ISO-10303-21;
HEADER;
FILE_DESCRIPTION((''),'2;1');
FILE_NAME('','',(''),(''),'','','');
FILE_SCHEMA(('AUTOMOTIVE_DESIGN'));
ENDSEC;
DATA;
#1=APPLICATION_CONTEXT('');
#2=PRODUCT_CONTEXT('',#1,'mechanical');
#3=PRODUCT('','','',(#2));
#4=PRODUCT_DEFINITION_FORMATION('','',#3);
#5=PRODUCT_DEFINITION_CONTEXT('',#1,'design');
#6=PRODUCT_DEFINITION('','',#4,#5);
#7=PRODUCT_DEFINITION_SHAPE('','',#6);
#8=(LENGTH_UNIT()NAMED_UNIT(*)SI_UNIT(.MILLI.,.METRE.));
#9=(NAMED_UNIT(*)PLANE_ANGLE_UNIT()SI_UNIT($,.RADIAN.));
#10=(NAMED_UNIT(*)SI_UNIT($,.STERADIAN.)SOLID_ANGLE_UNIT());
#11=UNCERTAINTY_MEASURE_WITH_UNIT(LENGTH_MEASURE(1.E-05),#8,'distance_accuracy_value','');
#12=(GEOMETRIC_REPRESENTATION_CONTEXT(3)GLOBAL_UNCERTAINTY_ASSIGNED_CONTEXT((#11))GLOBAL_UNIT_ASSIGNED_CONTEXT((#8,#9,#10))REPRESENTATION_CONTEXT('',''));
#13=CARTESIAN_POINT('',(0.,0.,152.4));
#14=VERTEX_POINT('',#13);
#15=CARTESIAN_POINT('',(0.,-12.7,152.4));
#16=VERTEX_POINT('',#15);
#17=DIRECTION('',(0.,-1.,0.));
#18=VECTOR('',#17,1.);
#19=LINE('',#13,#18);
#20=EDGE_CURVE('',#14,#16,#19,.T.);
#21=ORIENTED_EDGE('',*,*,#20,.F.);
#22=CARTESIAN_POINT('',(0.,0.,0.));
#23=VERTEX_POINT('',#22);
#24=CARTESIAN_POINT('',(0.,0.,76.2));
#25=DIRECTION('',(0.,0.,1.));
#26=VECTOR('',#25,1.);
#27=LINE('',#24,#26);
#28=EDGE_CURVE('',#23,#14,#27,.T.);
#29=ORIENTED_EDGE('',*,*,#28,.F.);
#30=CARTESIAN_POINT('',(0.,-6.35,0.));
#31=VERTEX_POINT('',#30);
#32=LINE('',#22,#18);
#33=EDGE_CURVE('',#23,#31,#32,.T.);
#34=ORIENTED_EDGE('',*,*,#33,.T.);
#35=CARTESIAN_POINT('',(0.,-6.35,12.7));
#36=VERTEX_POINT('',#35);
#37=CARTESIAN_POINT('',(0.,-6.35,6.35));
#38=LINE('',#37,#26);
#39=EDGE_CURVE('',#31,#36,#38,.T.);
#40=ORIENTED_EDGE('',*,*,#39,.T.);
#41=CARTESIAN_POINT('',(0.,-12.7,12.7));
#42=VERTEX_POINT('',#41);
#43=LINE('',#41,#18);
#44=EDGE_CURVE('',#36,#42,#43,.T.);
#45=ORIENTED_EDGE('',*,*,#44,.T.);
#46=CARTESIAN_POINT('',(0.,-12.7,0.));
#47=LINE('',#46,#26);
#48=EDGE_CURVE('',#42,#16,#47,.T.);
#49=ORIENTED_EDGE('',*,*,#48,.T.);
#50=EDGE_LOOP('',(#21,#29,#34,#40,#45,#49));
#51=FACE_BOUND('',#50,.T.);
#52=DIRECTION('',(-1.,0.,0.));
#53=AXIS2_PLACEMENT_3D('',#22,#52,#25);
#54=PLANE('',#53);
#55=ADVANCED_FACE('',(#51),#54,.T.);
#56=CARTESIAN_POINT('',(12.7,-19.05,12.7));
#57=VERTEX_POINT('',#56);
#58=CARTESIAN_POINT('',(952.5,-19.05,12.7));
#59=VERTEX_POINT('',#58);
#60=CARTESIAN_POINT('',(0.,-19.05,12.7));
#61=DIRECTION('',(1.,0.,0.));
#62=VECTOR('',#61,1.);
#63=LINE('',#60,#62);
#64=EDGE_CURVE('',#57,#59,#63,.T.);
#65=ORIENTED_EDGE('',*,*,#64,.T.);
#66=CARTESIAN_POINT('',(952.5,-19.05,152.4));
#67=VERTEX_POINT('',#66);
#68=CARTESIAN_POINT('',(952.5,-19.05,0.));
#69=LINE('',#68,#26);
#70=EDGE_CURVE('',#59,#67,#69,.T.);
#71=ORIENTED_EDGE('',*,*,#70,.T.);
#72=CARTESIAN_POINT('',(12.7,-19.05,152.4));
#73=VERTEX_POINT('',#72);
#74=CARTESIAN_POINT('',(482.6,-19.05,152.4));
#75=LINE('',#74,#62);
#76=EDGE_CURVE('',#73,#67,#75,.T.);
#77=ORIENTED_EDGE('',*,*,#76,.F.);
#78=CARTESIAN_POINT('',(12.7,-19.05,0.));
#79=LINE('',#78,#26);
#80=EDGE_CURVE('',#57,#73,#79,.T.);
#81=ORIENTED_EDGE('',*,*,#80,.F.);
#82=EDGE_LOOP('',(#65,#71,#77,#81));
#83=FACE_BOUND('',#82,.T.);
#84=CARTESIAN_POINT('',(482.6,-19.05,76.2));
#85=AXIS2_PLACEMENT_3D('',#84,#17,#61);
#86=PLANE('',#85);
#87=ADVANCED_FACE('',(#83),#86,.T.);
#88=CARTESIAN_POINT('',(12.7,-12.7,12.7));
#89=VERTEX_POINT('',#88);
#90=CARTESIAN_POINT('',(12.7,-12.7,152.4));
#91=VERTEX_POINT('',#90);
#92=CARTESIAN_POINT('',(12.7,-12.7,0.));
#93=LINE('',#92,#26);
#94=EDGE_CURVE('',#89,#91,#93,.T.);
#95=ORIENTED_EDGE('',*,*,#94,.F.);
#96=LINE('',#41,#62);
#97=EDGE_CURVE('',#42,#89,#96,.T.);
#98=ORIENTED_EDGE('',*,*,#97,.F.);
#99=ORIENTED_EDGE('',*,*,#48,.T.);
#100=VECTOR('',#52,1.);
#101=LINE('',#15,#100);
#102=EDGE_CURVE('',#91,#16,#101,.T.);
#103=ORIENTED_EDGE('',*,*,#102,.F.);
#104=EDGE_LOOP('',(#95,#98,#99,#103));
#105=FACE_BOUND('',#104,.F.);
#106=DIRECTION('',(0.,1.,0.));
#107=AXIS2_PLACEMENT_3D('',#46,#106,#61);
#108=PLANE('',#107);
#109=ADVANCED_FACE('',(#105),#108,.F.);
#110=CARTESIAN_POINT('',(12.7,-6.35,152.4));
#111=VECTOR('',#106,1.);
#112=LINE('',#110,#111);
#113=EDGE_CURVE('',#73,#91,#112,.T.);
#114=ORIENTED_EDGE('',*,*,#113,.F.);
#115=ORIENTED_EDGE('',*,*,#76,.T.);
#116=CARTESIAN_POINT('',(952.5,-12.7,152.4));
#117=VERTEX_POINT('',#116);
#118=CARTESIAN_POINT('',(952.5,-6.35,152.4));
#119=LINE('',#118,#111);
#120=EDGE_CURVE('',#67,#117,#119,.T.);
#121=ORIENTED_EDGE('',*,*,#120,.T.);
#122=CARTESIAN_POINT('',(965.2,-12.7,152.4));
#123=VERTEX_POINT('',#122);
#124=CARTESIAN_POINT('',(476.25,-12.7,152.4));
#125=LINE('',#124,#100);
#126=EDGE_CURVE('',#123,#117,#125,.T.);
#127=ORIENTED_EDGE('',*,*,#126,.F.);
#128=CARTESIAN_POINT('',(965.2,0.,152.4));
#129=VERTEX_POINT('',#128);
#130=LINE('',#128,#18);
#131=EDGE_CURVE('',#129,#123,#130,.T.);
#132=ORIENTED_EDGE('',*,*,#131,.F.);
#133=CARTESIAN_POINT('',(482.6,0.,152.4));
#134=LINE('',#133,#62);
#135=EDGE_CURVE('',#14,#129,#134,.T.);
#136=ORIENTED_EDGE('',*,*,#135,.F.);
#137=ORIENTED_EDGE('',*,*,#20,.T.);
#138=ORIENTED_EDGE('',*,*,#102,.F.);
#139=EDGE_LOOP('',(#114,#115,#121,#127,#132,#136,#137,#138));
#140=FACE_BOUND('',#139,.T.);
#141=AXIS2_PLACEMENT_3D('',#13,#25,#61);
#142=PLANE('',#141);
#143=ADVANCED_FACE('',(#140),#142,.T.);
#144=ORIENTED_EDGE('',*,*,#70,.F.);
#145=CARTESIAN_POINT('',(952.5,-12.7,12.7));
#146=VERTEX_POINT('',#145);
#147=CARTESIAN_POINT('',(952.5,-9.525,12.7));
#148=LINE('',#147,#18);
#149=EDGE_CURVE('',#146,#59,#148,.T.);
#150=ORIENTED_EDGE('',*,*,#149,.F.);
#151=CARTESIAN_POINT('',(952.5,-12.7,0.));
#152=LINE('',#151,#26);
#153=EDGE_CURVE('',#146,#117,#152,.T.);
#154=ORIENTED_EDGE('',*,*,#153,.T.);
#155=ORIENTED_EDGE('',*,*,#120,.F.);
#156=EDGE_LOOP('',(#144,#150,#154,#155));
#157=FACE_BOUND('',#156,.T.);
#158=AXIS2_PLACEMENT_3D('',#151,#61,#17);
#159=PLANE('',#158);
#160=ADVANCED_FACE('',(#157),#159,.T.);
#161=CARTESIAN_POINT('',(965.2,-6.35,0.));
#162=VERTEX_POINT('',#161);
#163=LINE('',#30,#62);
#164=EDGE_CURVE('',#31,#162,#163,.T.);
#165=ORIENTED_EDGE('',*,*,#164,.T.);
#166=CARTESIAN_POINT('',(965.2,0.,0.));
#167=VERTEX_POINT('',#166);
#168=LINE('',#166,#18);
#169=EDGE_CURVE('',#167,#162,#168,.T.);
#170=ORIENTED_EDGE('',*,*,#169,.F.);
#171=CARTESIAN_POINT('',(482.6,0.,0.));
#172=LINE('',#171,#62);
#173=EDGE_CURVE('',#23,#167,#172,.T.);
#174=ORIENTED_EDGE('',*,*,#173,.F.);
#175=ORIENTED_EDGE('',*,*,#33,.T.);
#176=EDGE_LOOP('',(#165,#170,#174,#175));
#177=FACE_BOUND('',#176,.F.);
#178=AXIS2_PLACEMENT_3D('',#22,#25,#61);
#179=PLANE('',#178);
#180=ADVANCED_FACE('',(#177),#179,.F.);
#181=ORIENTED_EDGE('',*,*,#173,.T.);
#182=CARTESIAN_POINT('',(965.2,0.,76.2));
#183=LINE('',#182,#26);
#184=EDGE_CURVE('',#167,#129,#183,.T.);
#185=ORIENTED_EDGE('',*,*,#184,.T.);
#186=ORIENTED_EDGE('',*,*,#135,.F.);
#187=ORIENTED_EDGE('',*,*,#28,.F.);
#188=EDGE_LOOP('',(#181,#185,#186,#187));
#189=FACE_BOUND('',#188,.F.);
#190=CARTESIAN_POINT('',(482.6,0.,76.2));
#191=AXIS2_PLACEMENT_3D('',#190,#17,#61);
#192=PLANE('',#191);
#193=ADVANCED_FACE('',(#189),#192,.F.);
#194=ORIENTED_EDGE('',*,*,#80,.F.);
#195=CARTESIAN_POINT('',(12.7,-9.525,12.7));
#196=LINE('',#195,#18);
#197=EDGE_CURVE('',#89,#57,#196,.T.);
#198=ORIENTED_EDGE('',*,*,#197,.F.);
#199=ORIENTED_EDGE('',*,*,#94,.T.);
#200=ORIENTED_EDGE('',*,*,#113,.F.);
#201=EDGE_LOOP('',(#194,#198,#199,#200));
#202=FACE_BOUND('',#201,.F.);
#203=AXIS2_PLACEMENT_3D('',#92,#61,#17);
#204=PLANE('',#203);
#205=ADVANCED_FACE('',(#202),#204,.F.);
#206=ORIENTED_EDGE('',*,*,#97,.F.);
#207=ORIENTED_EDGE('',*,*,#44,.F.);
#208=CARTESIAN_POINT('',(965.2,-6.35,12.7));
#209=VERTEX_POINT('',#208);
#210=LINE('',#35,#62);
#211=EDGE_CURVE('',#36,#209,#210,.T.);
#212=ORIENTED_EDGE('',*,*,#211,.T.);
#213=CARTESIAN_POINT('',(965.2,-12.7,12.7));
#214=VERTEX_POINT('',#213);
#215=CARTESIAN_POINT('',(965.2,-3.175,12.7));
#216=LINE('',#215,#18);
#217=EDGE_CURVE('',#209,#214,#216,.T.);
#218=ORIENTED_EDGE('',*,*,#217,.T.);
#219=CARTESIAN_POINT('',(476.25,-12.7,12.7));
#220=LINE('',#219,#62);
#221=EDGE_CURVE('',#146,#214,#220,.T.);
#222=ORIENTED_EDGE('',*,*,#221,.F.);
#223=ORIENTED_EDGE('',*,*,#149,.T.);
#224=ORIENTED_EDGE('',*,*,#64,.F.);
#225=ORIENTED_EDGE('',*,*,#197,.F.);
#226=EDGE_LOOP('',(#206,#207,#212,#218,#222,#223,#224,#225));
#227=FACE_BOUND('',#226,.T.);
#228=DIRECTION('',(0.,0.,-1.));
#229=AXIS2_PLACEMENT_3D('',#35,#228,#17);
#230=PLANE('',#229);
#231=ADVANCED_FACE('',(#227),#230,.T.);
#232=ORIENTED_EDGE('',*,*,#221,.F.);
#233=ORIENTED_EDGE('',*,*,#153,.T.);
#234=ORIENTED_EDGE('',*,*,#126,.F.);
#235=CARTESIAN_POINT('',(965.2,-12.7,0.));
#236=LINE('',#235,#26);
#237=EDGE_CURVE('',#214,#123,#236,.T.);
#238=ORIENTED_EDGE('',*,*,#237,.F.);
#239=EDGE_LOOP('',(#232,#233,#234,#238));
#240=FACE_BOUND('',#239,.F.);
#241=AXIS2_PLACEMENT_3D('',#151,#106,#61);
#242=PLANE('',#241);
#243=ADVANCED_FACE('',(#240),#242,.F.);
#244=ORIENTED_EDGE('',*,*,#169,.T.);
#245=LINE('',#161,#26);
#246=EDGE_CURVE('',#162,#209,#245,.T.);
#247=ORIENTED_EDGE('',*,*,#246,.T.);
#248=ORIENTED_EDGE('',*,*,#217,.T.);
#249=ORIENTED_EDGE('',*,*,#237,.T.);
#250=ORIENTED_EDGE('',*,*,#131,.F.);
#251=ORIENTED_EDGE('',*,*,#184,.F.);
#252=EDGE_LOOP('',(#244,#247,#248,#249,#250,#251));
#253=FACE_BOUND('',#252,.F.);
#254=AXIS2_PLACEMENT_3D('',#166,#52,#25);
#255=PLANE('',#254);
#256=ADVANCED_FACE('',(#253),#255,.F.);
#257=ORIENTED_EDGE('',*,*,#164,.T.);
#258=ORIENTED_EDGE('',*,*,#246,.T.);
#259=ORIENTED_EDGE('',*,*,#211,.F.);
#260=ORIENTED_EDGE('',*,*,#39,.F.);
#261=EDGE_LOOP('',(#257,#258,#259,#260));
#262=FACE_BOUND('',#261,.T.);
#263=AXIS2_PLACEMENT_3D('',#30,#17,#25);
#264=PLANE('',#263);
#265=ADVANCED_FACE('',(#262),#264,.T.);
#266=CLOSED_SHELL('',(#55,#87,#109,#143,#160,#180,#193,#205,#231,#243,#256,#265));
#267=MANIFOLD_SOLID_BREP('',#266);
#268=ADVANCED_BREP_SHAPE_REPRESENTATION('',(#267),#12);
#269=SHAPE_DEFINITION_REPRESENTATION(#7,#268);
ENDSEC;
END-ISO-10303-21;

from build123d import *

# Parameters (mm, degrees)
F0_W     = 965.2
F0_H     = 152.4
F1_DEPTH = 19.05
F2_W     = 12.7
F2_H     = 12.7
F3_DEPTH = 965.201
F4_W     = 12.7
F4_H     = 6.35
F5_DEPTH = 152.401
F6_W     = 12.7
F6_H     = 6.35
F7_DEPTH = 152.401


with BuildPart() as f1:
    # F0 (on Front) → F1 (new body)
    with BuildSketch(Plane.XZ):
        with Locations((482.6, 76.2)):
            Rectangle(F0_W, F0_H)
    extrude(amount=F1_DEPTH)

    # F2 (on face) → F3 (cut, through all)
    with BuildSketch(Plane(origin=(0, 0, 0), x_dir=(0, -1, 0), z_dir=(-1, 0, 0))):
        with Locations((12.7, 6.35)):
            Rectangle(F2_W, F2_H)
    extrude(amount=-F3_DEPTH, mode=Mode.SUBTRACT)

    # F4 (on face) → F5 (cut, through all)
    with BuildSketch(Plane(origin=(0, 0, 0), x_dir=(1, 0, 0), z_dir=(0, 0, -1))):
        with Locations((6.35, 15.875)):
            Rectangle(F4_W, F4_H)
    extrude(amount=-F5_DEPTH, mode=Mode.SUBTRACT)

    # F6 (on face) → F7 (cut, through all)
    with BuildSketch(Plane(origin=(0, 0, 0), x_dir=(1, 0, 0), z_dir=(0, 0, -1))):
        with Locations((958.85, 15.875)):
            Rectangle(F6_W, F6_H)
    extrude(amount=-F7_DEPTH, mode=Mode.SUBTRACT)


solid = f1.part
